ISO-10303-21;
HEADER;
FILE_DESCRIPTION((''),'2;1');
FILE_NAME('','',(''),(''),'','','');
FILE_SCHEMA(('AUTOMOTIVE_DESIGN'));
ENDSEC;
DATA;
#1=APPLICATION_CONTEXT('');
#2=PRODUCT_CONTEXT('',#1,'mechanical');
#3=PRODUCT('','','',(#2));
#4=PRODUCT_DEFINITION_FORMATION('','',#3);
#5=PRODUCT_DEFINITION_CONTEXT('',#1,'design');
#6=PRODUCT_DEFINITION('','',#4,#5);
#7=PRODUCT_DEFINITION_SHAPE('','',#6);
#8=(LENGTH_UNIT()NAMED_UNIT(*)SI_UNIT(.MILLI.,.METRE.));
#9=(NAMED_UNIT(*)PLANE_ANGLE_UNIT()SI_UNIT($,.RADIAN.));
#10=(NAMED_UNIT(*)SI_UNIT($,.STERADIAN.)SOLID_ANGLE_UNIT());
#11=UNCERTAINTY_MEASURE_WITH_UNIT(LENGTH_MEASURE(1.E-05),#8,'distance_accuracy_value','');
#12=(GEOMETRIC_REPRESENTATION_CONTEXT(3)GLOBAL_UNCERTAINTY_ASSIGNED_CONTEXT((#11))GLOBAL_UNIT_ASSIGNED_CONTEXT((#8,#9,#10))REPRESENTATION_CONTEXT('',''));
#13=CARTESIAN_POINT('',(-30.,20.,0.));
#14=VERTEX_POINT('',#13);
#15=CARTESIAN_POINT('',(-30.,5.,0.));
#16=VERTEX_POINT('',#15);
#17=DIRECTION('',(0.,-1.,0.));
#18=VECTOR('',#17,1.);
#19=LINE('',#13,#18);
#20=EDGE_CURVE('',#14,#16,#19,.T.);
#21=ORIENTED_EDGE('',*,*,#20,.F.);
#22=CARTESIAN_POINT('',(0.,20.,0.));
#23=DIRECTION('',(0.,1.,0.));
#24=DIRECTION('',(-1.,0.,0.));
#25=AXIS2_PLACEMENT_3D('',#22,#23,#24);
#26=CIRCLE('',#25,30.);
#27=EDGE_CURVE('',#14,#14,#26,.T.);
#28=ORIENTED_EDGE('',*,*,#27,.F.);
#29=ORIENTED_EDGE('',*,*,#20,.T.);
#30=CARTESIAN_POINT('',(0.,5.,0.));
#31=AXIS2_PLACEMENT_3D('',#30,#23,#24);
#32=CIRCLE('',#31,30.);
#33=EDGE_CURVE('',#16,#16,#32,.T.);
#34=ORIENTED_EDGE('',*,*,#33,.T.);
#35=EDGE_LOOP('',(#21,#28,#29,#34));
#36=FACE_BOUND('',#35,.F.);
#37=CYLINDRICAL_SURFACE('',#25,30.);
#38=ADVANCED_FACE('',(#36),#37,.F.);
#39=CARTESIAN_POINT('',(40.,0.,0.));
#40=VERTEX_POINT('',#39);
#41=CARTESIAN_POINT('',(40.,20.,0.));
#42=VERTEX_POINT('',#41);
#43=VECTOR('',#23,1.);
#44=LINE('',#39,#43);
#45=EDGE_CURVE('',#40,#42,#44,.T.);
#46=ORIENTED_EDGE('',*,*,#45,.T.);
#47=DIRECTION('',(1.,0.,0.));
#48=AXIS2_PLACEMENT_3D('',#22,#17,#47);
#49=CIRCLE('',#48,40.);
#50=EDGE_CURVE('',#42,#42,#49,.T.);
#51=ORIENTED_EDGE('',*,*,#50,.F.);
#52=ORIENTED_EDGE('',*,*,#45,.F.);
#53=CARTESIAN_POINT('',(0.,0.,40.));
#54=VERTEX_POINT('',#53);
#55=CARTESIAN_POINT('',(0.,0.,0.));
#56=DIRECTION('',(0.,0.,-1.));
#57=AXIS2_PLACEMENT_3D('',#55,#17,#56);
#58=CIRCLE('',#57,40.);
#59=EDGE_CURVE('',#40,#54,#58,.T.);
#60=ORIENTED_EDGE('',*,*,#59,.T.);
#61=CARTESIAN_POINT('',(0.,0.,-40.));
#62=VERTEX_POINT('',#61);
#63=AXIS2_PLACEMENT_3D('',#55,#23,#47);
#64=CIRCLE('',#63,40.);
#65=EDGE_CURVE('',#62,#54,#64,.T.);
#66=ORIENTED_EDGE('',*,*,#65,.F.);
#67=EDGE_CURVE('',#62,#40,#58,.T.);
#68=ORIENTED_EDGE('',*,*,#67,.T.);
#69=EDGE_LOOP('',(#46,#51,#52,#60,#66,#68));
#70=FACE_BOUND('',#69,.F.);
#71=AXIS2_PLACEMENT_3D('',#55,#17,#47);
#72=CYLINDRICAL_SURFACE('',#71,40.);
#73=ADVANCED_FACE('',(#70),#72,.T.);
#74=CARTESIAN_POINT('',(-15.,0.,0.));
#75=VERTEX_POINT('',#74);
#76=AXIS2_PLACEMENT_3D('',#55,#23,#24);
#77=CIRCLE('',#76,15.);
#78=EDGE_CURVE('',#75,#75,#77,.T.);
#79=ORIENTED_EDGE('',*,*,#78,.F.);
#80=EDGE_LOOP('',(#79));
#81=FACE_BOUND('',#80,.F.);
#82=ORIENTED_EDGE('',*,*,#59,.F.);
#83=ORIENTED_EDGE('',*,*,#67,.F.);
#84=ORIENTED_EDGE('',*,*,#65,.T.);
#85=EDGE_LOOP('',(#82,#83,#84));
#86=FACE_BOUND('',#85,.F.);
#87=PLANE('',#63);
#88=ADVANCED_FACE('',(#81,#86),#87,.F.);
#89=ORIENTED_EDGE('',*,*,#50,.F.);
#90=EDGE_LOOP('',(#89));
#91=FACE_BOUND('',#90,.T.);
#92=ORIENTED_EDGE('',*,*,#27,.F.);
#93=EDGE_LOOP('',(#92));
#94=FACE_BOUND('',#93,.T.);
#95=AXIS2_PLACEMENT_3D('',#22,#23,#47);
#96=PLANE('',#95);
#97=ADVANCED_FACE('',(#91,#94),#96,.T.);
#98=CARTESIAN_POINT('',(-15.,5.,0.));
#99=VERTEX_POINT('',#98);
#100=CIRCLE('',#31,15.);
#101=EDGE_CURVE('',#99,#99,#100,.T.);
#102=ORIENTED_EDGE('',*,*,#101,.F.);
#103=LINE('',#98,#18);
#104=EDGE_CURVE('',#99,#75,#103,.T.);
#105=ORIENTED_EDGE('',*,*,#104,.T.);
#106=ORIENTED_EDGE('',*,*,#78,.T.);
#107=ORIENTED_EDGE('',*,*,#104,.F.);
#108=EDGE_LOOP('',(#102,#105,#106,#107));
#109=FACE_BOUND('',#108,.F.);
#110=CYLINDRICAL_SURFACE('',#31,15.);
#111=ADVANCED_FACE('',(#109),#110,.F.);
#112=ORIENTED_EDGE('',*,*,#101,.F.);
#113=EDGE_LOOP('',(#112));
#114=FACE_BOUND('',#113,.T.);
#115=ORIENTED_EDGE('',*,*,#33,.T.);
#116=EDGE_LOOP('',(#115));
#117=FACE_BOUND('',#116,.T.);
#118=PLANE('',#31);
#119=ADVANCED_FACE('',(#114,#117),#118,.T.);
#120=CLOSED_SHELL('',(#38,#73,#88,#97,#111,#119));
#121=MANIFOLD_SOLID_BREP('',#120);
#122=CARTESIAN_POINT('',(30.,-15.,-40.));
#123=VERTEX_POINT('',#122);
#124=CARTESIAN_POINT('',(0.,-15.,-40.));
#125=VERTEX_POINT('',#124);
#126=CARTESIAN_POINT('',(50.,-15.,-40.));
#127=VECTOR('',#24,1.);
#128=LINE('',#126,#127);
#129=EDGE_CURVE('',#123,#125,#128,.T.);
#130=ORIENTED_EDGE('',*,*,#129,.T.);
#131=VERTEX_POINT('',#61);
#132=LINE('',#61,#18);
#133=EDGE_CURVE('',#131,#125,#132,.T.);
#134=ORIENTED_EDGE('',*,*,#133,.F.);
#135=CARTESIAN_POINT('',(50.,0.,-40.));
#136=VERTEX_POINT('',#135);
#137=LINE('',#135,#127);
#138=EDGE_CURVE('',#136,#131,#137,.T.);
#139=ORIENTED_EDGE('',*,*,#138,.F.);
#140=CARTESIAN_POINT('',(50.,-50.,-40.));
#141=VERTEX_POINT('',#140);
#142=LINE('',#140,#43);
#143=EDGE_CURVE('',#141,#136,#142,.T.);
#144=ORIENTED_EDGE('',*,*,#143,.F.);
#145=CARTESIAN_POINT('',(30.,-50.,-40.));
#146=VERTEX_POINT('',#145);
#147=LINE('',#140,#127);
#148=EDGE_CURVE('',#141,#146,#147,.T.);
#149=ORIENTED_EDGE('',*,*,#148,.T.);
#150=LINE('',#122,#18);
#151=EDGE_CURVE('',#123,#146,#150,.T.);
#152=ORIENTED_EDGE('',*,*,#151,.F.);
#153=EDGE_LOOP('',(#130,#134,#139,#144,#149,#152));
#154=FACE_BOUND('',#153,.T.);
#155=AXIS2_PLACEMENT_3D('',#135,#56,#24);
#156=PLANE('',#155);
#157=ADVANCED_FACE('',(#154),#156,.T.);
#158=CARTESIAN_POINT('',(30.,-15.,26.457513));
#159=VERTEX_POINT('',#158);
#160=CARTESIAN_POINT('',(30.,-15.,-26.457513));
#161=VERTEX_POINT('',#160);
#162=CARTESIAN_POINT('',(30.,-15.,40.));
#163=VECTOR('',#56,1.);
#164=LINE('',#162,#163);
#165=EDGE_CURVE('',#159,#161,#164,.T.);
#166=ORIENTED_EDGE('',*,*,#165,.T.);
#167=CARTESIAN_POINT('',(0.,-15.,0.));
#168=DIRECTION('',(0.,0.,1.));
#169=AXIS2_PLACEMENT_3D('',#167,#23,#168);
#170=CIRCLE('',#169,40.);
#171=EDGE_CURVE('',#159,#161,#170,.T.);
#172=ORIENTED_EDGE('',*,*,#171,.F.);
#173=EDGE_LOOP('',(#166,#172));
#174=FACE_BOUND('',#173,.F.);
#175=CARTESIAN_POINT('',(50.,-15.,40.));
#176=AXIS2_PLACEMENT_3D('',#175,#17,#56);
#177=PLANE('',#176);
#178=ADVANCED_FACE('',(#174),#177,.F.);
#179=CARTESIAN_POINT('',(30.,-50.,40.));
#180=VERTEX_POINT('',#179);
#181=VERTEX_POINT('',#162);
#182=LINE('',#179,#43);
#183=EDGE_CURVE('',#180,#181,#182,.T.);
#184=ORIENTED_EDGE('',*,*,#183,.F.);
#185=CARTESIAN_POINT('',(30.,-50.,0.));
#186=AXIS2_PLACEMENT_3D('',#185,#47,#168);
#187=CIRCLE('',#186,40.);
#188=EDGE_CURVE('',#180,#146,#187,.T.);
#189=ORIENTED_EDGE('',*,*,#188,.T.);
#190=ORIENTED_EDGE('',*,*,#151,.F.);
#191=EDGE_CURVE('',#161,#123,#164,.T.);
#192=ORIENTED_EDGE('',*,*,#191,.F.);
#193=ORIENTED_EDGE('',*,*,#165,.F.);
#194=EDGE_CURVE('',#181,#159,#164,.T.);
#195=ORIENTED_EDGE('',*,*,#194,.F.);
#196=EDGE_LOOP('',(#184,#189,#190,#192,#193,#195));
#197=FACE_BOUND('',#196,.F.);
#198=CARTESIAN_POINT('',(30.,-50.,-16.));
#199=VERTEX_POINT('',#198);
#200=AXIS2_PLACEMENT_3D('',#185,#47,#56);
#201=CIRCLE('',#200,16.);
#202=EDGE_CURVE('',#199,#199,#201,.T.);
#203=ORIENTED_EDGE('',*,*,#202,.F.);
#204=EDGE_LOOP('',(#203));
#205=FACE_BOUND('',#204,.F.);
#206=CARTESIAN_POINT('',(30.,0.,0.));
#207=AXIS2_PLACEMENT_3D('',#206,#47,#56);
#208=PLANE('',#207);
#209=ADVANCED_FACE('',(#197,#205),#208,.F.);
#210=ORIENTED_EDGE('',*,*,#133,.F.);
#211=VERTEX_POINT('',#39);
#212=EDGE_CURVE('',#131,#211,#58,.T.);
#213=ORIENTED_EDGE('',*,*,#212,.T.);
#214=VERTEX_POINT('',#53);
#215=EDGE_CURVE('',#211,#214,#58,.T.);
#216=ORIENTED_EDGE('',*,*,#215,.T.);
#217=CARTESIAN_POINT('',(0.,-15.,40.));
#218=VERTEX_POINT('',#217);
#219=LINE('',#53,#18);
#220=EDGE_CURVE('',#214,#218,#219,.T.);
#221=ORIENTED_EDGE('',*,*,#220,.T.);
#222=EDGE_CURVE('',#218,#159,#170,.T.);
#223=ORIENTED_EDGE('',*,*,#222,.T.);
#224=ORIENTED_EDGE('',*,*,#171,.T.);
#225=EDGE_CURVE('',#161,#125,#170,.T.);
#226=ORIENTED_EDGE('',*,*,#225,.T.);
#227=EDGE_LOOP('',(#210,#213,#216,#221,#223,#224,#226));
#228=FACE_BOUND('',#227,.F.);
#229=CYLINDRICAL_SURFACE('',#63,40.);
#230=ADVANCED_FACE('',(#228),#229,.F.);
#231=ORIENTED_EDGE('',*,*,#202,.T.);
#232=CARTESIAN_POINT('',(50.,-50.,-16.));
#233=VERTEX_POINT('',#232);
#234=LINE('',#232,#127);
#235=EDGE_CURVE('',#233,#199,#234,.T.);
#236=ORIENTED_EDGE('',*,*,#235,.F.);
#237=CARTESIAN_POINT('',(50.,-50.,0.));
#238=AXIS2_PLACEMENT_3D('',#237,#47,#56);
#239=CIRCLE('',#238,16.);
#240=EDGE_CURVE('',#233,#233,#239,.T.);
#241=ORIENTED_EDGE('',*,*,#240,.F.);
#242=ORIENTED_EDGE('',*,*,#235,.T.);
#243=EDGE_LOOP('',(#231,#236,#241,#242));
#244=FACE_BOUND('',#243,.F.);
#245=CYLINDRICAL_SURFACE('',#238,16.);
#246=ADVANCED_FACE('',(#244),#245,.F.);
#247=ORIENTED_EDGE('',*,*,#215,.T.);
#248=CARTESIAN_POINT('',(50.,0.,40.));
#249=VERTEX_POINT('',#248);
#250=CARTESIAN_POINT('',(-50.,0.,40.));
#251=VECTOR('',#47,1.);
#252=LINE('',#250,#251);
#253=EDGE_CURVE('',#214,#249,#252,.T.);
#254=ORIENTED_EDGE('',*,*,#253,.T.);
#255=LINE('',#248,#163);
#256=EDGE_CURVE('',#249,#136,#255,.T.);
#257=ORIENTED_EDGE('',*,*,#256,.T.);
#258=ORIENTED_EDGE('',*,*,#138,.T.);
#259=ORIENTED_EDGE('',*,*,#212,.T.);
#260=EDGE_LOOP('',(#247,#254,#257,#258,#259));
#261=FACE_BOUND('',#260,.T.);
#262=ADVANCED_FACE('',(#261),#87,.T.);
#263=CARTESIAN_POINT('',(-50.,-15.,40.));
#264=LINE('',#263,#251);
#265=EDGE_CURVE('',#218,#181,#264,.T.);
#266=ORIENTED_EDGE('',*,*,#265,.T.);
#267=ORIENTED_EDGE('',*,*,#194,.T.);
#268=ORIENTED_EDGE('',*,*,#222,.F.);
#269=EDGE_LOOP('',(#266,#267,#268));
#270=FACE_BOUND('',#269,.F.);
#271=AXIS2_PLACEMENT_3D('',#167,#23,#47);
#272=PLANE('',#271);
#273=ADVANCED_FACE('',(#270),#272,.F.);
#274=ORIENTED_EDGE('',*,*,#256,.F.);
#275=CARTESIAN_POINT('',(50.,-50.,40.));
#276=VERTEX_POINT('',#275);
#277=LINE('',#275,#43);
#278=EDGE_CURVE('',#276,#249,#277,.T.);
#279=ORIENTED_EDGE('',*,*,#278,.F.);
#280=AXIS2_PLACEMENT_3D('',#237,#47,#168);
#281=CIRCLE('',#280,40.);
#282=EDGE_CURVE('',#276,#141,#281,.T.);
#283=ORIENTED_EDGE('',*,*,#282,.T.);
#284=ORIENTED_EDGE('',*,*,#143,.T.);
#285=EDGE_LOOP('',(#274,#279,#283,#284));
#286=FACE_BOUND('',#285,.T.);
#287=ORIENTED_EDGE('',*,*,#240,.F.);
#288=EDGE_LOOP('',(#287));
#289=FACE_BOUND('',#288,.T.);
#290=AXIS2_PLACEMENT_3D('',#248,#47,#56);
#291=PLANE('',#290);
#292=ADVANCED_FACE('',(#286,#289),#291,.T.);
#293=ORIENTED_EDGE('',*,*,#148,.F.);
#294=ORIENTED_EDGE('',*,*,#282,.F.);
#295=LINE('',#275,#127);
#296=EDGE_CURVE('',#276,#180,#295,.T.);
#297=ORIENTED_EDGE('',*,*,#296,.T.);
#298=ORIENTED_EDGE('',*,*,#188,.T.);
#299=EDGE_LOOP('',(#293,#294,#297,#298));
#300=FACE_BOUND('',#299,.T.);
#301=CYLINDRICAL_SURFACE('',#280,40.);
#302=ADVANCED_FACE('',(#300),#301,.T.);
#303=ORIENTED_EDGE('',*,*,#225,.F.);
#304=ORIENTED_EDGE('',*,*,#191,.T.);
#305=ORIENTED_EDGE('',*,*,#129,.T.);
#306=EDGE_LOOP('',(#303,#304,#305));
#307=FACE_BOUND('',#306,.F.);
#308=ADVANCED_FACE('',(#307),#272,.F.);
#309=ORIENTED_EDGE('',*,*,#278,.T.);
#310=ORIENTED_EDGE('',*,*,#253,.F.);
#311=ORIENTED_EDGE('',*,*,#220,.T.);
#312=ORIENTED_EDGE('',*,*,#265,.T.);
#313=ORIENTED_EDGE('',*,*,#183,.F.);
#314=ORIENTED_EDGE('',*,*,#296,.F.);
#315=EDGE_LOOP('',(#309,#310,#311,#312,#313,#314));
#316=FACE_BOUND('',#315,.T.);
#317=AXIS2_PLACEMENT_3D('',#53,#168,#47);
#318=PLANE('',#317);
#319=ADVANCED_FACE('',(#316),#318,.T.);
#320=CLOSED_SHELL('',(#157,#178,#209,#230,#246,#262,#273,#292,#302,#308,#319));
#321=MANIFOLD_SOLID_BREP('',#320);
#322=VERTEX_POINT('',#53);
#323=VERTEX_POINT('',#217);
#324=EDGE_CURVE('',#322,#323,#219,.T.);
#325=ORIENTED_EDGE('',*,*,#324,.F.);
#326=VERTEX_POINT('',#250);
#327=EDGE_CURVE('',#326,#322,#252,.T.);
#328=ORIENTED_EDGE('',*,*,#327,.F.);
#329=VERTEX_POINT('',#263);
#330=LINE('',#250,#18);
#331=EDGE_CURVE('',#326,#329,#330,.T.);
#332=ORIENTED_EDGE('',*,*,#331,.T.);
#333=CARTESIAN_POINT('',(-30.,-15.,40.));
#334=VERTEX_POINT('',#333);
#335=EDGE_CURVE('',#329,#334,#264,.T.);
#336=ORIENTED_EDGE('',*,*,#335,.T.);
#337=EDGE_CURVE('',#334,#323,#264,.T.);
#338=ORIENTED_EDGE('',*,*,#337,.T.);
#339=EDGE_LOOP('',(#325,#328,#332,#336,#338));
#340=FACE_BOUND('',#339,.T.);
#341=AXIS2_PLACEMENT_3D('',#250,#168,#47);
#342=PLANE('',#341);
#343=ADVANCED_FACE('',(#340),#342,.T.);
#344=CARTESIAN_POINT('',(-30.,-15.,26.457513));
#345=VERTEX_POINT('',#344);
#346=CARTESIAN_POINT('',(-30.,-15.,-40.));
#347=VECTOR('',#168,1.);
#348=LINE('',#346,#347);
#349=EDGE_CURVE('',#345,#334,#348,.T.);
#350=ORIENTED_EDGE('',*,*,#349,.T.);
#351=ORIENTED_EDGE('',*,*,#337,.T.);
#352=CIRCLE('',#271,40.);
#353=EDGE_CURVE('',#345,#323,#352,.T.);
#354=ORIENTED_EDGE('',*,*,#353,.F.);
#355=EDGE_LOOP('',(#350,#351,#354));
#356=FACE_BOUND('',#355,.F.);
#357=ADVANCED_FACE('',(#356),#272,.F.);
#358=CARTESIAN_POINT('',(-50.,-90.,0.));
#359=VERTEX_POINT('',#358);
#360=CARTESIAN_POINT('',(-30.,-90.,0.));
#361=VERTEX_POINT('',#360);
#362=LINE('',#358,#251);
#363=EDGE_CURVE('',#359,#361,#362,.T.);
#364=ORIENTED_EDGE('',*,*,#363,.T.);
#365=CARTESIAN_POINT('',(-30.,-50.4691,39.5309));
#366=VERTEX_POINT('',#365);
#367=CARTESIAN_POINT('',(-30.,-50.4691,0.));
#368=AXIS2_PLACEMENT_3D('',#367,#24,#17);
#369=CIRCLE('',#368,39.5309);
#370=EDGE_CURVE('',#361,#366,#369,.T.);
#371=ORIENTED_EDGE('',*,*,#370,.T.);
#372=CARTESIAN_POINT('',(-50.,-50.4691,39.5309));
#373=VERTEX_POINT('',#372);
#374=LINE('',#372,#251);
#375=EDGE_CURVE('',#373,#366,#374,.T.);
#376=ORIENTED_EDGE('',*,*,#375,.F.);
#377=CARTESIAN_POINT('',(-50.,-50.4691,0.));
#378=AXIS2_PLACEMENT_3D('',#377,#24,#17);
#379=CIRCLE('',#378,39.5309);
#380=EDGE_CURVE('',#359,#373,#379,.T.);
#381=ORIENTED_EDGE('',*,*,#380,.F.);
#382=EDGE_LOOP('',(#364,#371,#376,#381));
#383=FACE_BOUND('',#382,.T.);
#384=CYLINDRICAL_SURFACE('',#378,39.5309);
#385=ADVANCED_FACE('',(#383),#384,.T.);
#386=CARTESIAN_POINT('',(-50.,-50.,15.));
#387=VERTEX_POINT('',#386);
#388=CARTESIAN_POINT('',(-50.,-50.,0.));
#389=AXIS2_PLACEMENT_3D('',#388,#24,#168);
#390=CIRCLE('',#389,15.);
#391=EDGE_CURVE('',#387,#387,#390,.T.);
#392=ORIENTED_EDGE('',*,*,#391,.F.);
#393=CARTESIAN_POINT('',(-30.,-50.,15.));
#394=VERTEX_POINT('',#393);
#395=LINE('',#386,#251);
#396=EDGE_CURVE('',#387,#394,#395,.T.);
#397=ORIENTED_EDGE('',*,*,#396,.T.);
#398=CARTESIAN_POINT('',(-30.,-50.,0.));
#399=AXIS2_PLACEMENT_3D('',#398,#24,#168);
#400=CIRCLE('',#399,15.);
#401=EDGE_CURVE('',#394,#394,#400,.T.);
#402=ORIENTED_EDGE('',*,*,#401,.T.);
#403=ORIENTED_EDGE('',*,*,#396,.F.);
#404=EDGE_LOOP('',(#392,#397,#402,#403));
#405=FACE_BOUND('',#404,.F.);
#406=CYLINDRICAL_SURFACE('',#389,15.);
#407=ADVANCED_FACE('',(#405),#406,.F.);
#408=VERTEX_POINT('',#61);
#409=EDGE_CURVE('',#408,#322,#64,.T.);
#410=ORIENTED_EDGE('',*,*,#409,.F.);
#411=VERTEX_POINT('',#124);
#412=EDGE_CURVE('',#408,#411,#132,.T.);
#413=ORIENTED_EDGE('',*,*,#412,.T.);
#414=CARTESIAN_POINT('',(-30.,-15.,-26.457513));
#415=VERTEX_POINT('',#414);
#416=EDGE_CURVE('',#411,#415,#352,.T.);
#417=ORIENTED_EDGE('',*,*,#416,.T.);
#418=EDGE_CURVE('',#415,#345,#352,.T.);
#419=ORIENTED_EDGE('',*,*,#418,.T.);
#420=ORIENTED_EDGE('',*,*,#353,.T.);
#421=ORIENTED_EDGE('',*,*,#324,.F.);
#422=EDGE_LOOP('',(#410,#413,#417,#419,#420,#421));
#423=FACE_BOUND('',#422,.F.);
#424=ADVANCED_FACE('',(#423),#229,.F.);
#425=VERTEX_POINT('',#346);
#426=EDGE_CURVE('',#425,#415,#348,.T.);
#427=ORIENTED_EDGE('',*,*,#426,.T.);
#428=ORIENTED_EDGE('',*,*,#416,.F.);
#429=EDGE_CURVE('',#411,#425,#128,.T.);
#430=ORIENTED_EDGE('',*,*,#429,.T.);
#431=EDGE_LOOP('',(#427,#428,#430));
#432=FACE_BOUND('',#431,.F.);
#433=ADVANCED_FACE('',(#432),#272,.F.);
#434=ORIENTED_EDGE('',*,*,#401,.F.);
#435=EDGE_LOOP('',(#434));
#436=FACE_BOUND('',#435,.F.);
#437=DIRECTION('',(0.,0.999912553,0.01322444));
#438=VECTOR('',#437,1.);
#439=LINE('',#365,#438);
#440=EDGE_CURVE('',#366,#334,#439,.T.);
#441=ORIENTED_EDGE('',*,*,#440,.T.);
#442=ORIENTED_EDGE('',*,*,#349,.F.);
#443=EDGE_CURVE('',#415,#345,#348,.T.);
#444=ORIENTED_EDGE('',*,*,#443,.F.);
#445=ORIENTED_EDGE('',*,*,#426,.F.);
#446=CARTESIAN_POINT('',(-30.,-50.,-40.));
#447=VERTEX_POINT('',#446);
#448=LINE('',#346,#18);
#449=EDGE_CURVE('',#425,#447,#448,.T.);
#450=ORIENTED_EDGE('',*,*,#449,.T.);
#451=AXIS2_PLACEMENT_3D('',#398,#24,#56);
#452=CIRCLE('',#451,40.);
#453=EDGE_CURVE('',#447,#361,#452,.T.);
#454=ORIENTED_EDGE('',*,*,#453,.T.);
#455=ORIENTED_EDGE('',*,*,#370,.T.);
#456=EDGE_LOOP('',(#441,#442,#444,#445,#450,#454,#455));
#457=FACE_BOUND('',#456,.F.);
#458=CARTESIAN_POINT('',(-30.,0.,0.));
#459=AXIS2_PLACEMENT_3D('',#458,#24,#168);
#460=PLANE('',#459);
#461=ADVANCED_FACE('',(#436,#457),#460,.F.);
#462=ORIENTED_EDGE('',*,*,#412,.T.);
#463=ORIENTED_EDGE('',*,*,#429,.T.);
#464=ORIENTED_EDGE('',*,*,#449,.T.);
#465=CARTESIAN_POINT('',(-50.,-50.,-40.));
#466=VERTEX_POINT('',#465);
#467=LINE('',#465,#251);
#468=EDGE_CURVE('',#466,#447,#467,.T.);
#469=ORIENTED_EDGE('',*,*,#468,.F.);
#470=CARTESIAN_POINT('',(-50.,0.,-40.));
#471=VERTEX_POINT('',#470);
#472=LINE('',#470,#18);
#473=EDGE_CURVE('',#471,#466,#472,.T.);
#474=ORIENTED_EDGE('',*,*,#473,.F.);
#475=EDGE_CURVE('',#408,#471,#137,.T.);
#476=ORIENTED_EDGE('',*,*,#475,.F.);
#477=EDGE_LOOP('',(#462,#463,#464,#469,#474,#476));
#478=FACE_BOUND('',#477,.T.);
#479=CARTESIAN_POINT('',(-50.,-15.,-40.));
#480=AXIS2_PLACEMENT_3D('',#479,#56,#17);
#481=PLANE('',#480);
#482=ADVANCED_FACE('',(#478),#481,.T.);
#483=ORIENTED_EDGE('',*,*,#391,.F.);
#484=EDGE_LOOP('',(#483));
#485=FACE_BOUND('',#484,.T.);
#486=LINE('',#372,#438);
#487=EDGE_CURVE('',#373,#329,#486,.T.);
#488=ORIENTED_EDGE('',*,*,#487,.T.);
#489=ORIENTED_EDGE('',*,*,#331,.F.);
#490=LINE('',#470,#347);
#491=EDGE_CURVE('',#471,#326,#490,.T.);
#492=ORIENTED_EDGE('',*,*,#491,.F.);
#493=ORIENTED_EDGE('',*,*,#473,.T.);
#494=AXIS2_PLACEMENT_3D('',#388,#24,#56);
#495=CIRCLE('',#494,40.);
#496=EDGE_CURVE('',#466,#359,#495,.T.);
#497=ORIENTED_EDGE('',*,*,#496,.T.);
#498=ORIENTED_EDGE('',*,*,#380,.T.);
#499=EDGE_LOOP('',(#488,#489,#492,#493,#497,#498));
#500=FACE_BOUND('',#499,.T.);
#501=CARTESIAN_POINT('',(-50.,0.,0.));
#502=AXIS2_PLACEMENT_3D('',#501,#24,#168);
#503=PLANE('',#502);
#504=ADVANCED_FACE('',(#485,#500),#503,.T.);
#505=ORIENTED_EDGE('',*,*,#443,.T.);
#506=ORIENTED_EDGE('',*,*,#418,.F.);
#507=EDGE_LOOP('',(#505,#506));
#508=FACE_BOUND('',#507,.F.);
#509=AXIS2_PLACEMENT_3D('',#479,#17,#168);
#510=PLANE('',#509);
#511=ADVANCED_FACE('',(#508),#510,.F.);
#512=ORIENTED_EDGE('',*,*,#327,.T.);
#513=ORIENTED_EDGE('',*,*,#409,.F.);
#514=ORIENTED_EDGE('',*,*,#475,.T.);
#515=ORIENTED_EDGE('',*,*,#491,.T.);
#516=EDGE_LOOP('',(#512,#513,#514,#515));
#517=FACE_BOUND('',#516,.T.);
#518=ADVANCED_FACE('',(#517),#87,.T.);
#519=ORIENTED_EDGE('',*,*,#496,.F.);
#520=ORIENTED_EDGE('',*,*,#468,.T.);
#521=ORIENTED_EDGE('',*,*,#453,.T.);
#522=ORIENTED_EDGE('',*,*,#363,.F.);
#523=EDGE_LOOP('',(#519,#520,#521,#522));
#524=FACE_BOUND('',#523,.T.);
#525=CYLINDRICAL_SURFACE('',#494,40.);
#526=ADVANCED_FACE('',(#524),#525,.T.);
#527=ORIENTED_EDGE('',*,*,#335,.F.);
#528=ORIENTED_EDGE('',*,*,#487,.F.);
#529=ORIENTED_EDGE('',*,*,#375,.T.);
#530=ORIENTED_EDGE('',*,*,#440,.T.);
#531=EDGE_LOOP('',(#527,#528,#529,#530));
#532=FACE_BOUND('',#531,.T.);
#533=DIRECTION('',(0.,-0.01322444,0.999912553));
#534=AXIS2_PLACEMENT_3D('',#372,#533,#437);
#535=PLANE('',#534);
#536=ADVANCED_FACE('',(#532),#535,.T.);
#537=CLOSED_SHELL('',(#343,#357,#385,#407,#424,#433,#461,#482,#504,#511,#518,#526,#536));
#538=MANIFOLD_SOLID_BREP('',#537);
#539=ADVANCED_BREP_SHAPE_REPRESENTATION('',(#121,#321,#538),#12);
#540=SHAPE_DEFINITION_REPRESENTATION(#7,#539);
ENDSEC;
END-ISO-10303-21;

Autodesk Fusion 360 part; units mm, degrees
sketch "Sketch1" plane through (0, 0, 0) normal (0, 1, 0) x (1, 0, 0)
  line L0 (50, 40) -> (-50, 40)
  line L1 (-50, 40) -> (-50, -40)
  line L2 (-50, -40) -> (50, -40)
  line L3 (50, -40) -> (50, 40)
  line L4 (50, 40) -> (-50, -40) construction
  line L5 (-50, 40) -> (50, -40) construction
  circle A0 centre (0, 0) radius 40
  dimension "d1" = 100
  dimension "d2" = 80
extrude "Extrude1" add sketch "Sketch1" against normal blind 15 contours L0 L2 L3 A0 | L0 L1 L2 A0 makes body 1 at (-3.9827, -10, 39.8012)
extrude "Extrude2" add sketch "Sketch1" along normal blind 20 separate body contours A0 makes body 2
sketch "Sketch2" plane through (0, 20, 0) normal (0, 1, 0) x (-1, 0, 0)
  circle A0 centre (0, 0) radius 40
  circle A1 centre (0, 0) radius 30
  dimension "d7" = 60
extrude "Extrude3" cut sketch "Sketch2" against normal blind 15 contours A1 bodies 2
sketch "Sketch3" plane through (0, 5, 0) normal (0, 1, 0) x (-1, 0, 0)
  circle A0 centre (0, 0) radius 30
  circle A1 centre (0, 0) radius 15
  dimension "d10" = 30
extrude "Extrude4" cut sketch "Sketch3" against normal blind 20 contours A1 bodies 2
sketch "Sketch4" plane through (50, 0, 0) normal (1, 0, 0) x (0, 0, -1)
  line L0 (40, 0) -> (-40, 0)
  line L1 (-40, 0) -> (-40, -15)
  line L2 (-40, -15) -> (40, -15)
  line L3 (40, -15) -> (40, 0)
  line L4 (40, -15) -> (40, -50)
  line L5 (-40, -50) -> (-40, -15)
  circle A0 centre (0, -50) radius 16
  arc A1 (-40, -50) -> (40, -50) centre (0, -50) ccw
  line L6 (-40, -15) -> (40, -15)
  dimension "d14" = 80
  dimension "d15" = 32
  dimension "d16" = 50
extrude "Extrude5" add sketch "Sketch4" against normal blind 20 separate body contours L2 L4 L5 A1 L6 makes body 3
sketch "Sketch5" plane through (-50, 0, 0) normal (-1, 0, 0) x (0, 0, 1)
  line L0 (40, 0) -> (-40, 0)
  line L1 (-40, 0) -> (-40, -15)
  line L2 (-40, -15) -> (40, -15)
  line L3 (40, -15) -> (40, 0)
  line L4 (-40, -15) -> (40, -15)
  line L5 (-40, -15) -> (-40, -50)
  arc A0 (-40, -50) -> (0, -90) centre (0, -50) ccw
  arc A1 (0, -90) -> (39.5309, -50.4691) centre (0, -50.4691) ccw
  line L6 (39.5309, -50.4691) -> (40, -15)
  circle A2 centre (0, -50) radius 15
  dimension "d19" = 30
extrude "Extrude6" add sketch "Sketch5" against normal blind 20 separate body contours L2 L4 L5 A0 A1 L6 makes body 4
combine "Combine1" operation add target body 4 tool bodies 1 3 2
